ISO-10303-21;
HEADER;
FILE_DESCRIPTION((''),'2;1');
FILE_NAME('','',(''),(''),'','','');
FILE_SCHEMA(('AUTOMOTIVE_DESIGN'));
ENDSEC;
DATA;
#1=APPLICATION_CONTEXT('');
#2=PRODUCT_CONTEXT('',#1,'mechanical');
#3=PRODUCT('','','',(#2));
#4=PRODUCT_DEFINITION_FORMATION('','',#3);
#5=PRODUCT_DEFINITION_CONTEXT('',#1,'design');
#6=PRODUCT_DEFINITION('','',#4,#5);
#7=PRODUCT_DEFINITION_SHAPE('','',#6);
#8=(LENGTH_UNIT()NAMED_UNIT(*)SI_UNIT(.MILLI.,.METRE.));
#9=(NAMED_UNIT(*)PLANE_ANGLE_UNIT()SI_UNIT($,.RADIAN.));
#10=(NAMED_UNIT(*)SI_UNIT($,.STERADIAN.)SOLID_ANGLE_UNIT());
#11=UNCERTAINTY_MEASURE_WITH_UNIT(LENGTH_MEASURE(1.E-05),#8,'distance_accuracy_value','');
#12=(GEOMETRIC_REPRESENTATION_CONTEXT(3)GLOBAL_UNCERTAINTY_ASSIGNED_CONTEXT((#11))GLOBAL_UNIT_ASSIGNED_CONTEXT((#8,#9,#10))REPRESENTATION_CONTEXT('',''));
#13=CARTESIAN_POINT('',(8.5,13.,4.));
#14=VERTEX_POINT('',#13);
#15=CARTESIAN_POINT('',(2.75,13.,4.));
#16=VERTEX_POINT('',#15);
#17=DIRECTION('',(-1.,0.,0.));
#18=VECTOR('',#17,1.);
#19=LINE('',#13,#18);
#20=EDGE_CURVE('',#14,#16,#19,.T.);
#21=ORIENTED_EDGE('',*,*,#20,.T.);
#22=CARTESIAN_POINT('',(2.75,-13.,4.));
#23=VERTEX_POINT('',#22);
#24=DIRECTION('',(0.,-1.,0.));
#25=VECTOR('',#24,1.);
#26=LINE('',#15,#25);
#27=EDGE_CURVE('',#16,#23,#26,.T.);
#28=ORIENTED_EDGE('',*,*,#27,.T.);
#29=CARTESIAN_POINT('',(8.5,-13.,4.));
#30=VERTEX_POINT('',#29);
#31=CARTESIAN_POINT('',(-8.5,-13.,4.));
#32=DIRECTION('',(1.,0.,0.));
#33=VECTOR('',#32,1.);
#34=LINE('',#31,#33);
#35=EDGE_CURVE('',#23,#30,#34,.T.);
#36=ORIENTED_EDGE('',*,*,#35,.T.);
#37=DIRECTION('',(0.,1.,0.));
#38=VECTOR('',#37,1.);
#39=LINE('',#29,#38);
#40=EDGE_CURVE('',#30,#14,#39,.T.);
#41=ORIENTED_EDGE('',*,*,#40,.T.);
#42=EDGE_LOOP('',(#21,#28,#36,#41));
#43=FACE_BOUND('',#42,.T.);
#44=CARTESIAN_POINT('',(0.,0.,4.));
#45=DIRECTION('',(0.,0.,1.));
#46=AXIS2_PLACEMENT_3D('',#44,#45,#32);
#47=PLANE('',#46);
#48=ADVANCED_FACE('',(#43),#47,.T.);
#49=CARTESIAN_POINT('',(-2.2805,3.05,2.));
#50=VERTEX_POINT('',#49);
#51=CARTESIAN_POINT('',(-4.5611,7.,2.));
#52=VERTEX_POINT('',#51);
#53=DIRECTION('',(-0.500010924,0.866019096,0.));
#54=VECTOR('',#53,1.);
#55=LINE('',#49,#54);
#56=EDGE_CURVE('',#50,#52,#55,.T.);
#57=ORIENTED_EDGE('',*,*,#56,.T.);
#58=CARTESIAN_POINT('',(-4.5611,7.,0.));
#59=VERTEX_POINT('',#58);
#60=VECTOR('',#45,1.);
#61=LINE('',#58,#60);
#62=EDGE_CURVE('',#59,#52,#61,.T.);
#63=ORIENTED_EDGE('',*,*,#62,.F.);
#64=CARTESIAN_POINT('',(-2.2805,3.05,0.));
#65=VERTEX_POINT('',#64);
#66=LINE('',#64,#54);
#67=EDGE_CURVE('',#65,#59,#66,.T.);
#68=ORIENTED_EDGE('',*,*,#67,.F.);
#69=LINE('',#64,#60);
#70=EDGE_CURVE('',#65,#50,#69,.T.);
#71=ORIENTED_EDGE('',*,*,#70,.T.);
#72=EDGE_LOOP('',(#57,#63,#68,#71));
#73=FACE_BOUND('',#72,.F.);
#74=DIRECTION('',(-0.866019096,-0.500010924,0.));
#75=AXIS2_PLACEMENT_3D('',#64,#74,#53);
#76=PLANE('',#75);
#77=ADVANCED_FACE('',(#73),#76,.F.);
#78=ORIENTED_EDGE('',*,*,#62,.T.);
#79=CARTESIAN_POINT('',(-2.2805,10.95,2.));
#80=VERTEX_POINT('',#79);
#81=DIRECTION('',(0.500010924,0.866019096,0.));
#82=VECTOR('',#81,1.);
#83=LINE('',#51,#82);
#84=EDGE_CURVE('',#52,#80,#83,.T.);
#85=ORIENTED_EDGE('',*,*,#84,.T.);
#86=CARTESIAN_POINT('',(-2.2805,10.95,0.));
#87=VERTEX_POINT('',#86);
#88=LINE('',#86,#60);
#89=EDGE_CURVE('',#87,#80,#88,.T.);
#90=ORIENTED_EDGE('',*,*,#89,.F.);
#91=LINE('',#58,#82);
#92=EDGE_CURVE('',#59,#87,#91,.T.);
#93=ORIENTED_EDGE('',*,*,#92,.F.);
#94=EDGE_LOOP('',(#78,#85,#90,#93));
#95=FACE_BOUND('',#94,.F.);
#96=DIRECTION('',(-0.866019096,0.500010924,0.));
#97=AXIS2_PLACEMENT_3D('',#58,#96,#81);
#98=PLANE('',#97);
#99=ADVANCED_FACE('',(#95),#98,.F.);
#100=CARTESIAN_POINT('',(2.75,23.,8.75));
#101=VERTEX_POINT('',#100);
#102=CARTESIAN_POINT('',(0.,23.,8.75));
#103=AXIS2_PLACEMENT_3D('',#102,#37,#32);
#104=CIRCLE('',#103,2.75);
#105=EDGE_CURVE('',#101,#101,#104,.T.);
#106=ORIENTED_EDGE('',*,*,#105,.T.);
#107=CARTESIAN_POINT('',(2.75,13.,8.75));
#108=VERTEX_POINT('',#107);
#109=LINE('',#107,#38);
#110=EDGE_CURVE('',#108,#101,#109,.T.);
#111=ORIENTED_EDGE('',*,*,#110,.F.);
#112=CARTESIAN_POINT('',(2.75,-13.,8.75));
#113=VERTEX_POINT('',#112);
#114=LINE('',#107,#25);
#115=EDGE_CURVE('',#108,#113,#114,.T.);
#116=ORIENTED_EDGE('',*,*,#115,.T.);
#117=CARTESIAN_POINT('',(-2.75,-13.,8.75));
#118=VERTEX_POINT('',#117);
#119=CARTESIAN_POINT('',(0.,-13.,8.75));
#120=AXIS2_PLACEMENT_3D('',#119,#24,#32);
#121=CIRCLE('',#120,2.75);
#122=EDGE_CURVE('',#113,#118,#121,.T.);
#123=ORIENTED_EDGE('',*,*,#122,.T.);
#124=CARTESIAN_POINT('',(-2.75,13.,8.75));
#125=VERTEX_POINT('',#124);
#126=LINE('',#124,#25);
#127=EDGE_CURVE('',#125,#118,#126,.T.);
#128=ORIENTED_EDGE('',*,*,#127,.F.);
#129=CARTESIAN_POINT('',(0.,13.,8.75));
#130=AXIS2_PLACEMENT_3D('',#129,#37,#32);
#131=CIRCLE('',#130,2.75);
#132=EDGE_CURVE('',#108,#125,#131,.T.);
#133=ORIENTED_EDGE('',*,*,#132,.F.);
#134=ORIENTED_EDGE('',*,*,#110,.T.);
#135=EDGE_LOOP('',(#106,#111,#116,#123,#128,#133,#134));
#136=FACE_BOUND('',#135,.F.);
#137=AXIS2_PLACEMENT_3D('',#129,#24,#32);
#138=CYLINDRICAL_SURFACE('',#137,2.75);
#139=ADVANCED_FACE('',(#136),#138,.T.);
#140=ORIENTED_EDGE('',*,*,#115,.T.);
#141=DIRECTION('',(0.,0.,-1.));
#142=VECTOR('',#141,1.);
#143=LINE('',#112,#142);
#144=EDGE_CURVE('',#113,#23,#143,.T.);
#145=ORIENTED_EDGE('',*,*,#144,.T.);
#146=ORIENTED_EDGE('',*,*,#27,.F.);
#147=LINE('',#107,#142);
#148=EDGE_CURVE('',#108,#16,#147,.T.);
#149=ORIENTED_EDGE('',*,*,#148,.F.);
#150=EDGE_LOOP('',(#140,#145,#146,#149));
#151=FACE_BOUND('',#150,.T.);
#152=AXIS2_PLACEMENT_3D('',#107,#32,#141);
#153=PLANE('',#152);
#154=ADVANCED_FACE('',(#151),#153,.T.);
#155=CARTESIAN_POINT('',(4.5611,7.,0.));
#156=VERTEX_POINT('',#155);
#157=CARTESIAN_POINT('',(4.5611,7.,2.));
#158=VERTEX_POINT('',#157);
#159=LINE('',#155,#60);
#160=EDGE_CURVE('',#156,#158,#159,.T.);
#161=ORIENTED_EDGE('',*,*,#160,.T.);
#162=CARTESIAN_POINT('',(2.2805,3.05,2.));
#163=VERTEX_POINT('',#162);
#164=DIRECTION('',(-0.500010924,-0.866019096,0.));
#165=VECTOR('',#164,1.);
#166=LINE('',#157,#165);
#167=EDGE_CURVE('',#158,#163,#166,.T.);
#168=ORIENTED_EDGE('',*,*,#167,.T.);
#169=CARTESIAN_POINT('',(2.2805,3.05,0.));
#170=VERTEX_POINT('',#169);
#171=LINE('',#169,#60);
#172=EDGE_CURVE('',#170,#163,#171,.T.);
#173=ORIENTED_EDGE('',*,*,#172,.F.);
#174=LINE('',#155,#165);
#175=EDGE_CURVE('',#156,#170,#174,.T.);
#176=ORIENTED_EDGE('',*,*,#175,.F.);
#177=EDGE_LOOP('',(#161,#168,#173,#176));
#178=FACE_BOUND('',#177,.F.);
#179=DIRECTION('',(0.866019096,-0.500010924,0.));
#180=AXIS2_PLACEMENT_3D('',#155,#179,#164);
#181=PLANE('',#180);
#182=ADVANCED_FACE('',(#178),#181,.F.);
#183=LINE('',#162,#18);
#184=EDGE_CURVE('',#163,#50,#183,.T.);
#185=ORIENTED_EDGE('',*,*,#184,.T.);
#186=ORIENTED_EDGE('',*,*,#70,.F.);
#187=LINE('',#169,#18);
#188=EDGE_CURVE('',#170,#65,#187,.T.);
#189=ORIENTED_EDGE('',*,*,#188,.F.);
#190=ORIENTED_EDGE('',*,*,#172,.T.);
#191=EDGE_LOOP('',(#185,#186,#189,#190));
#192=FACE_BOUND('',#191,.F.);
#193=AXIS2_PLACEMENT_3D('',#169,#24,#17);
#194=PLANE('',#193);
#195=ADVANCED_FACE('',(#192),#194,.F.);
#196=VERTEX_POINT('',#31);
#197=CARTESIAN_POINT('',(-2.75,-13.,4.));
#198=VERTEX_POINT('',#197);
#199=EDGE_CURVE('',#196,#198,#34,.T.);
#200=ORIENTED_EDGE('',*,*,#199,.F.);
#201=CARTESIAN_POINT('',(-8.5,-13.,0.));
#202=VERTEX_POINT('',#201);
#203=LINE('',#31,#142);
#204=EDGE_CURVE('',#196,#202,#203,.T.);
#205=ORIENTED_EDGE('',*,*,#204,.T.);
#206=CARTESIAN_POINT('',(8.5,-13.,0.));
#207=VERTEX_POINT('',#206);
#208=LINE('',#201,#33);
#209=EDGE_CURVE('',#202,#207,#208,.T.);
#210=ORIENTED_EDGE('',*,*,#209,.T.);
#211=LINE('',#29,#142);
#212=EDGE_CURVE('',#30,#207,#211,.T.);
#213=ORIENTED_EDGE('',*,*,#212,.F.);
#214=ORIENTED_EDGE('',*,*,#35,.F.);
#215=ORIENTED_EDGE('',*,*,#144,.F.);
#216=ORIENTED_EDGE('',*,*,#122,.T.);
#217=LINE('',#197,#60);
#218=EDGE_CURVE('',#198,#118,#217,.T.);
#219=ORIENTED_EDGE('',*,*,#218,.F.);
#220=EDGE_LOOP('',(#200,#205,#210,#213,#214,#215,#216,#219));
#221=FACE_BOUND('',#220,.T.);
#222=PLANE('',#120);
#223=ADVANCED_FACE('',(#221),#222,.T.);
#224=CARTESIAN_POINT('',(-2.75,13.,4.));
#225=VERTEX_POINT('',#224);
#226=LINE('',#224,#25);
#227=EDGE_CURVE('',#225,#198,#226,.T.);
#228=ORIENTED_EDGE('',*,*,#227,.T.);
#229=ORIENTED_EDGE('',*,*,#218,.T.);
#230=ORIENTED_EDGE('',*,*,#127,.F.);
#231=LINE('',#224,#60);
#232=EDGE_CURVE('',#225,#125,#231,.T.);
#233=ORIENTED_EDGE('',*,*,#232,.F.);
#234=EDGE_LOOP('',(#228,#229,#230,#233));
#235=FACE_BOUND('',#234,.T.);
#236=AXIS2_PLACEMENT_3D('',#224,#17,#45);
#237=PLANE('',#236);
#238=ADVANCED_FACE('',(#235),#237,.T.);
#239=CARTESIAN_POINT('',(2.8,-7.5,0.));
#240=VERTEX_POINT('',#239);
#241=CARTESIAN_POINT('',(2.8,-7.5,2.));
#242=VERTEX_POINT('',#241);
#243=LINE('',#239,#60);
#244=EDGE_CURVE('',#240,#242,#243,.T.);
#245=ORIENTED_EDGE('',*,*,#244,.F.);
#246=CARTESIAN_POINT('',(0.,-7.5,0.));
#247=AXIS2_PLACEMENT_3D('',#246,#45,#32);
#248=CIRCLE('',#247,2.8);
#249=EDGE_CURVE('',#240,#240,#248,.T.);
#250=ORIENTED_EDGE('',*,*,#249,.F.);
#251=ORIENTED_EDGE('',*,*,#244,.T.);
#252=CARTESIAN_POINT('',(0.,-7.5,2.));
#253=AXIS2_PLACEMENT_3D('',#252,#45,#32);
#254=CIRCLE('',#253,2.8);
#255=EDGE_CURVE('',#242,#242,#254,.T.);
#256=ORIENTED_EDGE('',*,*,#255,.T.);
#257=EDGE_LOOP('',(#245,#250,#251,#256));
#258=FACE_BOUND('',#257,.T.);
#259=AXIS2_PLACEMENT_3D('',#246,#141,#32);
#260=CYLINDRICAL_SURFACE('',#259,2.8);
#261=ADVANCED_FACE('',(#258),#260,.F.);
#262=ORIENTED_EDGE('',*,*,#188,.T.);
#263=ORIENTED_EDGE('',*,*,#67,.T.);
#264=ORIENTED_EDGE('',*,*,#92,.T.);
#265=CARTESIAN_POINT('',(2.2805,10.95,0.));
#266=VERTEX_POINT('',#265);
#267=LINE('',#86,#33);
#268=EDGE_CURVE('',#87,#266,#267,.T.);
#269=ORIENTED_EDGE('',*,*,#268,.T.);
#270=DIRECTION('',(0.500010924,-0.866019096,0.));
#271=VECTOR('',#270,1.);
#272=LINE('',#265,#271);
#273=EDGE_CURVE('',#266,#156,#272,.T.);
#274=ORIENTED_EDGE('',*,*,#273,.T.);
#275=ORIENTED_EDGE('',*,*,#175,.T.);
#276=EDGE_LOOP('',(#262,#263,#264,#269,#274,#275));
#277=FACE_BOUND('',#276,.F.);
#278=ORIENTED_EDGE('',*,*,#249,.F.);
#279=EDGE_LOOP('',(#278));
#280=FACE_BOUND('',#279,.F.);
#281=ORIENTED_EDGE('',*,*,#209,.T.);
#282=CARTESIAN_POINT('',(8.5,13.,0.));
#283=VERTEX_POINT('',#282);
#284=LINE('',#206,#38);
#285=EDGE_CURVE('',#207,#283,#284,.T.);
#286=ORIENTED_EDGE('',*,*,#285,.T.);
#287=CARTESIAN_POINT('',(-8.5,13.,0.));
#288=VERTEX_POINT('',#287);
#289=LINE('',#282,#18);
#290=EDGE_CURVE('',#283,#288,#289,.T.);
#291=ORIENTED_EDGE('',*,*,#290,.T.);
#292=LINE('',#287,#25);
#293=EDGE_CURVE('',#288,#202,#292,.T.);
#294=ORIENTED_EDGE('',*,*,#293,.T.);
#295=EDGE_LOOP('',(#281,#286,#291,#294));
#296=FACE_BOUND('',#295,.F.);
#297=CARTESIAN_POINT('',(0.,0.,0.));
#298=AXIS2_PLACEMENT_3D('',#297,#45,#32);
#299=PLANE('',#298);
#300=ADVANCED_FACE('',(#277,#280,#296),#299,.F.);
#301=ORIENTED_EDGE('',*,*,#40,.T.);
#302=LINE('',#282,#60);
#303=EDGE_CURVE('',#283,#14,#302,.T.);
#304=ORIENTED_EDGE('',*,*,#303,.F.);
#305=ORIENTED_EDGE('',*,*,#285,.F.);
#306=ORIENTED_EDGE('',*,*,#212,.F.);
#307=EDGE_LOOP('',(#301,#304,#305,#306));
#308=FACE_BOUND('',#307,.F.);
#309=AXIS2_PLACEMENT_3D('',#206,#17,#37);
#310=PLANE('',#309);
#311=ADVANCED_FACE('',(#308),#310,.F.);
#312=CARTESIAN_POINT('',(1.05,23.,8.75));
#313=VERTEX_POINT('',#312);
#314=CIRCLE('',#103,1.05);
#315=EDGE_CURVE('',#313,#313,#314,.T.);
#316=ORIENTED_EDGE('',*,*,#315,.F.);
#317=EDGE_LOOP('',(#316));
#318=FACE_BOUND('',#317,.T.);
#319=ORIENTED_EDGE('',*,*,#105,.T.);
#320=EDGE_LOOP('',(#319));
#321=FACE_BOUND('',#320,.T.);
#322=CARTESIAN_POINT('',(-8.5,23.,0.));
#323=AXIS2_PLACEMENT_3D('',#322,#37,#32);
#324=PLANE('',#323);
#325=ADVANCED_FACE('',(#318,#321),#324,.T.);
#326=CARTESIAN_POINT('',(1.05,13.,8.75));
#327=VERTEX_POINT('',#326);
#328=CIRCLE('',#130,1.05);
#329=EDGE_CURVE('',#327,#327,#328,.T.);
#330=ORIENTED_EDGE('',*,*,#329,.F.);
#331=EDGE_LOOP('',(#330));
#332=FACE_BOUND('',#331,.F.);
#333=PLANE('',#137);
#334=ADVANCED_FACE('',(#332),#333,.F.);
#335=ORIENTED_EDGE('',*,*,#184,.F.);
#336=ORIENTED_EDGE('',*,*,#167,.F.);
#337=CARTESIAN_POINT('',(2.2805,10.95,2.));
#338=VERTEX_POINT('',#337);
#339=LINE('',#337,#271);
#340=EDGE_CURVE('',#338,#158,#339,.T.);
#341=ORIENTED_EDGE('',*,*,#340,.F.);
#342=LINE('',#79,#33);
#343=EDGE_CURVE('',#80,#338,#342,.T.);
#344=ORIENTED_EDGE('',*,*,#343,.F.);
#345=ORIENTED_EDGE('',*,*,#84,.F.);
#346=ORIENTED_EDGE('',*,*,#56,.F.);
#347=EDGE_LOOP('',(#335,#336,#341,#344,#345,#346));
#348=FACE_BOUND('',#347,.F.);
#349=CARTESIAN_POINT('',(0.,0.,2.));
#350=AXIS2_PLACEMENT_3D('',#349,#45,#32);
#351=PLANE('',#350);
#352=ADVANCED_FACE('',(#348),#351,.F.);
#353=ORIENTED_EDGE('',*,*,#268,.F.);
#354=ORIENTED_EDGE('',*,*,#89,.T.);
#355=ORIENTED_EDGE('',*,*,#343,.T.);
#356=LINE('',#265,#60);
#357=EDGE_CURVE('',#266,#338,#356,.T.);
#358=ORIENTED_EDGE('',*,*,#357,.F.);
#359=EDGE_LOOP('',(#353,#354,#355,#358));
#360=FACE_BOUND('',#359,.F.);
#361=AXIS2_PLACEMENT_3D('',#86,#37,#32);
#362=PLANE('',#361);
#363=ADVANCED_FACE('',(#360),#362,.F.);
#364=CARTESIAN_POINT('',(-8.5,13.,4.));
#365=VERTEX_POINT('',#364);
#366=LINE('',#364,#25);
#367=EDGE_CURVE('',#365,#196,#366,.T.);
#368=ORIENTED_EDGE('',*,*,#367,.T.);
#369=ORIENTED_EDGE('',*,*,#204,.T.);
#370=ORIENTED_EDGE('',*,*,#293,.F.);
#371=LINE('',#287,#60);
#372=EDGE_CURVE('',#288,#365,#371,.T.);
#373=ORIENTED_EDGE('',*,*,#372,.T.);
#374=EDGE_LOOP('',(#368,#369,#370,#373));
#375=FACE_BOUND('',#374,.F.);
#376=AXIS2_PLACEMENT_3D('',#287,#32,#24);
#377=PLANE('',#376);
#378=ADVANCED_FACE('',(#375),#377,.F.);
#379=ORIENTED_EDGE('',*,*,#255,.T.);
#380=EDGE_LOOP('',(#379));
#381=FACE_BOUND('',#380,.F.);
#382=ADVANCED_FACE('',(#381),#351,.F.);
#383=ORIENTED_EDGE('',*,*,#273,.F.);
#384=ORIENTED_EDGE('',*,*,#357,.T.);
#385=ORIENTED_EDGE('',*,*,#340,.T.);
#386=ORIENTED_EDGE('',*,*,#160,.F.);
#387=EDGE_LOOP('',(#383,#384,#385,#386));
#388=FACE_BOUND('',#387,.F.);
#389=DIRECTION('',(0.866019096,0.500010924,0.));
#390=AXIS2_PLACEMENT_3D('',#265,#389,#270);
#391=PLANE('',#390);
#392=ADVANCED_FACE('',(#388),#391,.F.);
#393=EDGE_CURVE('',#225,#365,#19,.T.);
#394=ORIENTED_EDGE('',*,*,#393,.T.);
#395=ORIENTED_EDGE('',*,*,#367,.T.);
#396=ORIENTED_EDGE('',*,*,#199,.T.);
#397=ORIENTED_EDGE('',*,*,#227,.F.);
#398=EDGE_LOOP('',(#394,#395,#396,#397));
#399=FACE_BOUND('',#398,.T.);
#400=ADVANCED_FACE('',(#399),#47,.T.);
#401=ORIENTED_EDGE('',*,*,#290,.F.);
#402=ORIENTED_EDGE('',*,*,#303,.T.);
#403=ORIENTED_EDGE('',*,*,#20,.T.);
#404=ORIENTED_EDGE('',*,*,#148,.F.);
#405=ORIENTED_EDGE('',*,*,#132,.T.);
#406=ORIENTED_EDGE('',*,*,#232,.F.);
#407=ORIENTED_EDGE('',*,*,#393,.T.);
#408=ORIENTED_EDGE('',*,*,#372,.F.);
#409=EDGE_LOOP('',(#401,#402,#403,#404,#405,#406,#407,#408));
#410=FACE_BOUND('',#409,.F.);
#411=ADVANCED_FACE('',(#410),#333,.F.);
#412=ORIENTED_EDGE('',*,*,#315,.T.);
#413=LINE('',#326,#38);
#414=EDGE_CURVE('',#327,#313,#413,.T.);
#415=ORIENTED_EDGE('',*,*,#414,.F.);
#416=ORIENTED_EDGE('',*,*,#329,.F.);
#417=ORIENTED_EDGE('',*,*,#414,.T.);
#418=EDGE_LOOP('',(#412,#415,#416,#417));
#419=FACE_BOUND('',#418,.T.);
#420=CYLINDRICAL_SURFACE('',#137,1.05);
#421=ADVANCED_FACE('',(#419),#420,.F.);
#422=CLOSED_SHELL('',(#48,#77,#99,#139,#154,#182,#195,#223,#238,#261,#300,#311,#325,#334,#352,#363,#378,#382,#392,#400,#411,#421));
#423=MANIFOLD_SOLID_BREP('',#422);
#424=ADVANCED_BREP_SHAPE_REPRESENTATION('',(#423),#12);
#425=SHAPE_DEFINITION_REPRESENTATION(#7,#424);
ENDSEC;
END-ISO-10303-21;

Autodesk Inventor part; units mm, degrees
ref_plane "YZ Plane" through (0, 0, 0) normal (1, 0, 0) x (0, 1, 0)
ref_plane "XZ Plane" through (0, 0, 0) normal (0, 1, 0) x (-1, 0, 0)
ref_plane "XY Plane" through (0, 0, 0) normal (0, 0, 1) x (1, 0, 0)
sketch "Sketch1" plane through (0, 0, 0) normal (0, 0, 1) x (1, 0, 0)
  circle A0 centre (0, -7.5) radius 2.8 projected
  line L0 (-2.2805, 10.95) -> (2.2805, 10.95) projected
  line L1 (2.2805, 10.95) -> (4.5611, 7) projected
  line L2 (4.5611, 7) -> (2.2805, 3.05) projected
  line L3 (2.2805, 3.05) -> (-2.2805, 3.05) projected
  line L4 (-2.2805, 3.05) -> (-4.5611, 7) projected
  line L5 (-4.5611, 7) -> (-2.2805, 10.95) projected
  line L6 (8.5, 13) -> (-8.5, 13) projected
  line L7 (-8.5, 13) -> (-8.5, -13) projected
  line L8 (-8.5, -13) -> (8.5, -13) projected
  line L9 (8.5, -13) -> (8.5, 13) projected
  point P0 (0, 0)
extrude "Extrusion1" add sketch "Sketch1" along normal blind 2
sketch "Sketch2" plane through (0, 0, 2) normal (0, 0, 1) x (1, 0, 0)
  line L0 (8.5, -13) -> (8.5, 13) projected
  line L1 (8.5, 13) -> (-8.5, 13) projected
  line L2 (-8.5, 13) -> (-8.5, -13) projected
  line L3 (-8.5, -13) -> (8.5, -13) projected
  point P0 (0, 0)
extrude "Extrusion2" add sketch "Sketch2" along normal blind 2
sketch "Sketch3" plane through (-8.5, 13, 0) normal (0, 1, 0) x (1, 0, 0)
  circle A0 centre (8.5, -8.75) radius 2.75
  circle A1 centre (8.5, -8.75) radius 1.05
  line L0 (0, -4) -> (17, -4) construction
  line L1 (8.5, -4) -> (8.5, -22.1376) construction
  point P0 (8.5, 0)
  dimension "d4" = 5.5
  dimension "d5" = 2.1
  dimension "d6" = 4.75
extrude "Extrusion3" add sketch "Sketch3" along normal blind 10
sketch "Sketch4" plane through (0, 13, 8.75) normal (0, -1, 0) x (1, 0, 0)
  circle A0 centre (0, 0) radius 2.75 projected
  line L0 (-2.75, 0) -> (2.75, 0)
  line L1 (2.75, 0) -> (2.75, -4.75)
  line L2 (2.75, -4.75) -> (-2.75, -4.75)
  line L3 (-2.75, -4.75) -> (-2.75, 0)
  line L4 (-8.5, -4.75) -> (8.5, -4.75) projected
  point P0 (0, -8.75)
extrude "Extrusion4" add sketch "Sketch4" along normal up to surface (26 mm away)
properties part number "connector9V"
